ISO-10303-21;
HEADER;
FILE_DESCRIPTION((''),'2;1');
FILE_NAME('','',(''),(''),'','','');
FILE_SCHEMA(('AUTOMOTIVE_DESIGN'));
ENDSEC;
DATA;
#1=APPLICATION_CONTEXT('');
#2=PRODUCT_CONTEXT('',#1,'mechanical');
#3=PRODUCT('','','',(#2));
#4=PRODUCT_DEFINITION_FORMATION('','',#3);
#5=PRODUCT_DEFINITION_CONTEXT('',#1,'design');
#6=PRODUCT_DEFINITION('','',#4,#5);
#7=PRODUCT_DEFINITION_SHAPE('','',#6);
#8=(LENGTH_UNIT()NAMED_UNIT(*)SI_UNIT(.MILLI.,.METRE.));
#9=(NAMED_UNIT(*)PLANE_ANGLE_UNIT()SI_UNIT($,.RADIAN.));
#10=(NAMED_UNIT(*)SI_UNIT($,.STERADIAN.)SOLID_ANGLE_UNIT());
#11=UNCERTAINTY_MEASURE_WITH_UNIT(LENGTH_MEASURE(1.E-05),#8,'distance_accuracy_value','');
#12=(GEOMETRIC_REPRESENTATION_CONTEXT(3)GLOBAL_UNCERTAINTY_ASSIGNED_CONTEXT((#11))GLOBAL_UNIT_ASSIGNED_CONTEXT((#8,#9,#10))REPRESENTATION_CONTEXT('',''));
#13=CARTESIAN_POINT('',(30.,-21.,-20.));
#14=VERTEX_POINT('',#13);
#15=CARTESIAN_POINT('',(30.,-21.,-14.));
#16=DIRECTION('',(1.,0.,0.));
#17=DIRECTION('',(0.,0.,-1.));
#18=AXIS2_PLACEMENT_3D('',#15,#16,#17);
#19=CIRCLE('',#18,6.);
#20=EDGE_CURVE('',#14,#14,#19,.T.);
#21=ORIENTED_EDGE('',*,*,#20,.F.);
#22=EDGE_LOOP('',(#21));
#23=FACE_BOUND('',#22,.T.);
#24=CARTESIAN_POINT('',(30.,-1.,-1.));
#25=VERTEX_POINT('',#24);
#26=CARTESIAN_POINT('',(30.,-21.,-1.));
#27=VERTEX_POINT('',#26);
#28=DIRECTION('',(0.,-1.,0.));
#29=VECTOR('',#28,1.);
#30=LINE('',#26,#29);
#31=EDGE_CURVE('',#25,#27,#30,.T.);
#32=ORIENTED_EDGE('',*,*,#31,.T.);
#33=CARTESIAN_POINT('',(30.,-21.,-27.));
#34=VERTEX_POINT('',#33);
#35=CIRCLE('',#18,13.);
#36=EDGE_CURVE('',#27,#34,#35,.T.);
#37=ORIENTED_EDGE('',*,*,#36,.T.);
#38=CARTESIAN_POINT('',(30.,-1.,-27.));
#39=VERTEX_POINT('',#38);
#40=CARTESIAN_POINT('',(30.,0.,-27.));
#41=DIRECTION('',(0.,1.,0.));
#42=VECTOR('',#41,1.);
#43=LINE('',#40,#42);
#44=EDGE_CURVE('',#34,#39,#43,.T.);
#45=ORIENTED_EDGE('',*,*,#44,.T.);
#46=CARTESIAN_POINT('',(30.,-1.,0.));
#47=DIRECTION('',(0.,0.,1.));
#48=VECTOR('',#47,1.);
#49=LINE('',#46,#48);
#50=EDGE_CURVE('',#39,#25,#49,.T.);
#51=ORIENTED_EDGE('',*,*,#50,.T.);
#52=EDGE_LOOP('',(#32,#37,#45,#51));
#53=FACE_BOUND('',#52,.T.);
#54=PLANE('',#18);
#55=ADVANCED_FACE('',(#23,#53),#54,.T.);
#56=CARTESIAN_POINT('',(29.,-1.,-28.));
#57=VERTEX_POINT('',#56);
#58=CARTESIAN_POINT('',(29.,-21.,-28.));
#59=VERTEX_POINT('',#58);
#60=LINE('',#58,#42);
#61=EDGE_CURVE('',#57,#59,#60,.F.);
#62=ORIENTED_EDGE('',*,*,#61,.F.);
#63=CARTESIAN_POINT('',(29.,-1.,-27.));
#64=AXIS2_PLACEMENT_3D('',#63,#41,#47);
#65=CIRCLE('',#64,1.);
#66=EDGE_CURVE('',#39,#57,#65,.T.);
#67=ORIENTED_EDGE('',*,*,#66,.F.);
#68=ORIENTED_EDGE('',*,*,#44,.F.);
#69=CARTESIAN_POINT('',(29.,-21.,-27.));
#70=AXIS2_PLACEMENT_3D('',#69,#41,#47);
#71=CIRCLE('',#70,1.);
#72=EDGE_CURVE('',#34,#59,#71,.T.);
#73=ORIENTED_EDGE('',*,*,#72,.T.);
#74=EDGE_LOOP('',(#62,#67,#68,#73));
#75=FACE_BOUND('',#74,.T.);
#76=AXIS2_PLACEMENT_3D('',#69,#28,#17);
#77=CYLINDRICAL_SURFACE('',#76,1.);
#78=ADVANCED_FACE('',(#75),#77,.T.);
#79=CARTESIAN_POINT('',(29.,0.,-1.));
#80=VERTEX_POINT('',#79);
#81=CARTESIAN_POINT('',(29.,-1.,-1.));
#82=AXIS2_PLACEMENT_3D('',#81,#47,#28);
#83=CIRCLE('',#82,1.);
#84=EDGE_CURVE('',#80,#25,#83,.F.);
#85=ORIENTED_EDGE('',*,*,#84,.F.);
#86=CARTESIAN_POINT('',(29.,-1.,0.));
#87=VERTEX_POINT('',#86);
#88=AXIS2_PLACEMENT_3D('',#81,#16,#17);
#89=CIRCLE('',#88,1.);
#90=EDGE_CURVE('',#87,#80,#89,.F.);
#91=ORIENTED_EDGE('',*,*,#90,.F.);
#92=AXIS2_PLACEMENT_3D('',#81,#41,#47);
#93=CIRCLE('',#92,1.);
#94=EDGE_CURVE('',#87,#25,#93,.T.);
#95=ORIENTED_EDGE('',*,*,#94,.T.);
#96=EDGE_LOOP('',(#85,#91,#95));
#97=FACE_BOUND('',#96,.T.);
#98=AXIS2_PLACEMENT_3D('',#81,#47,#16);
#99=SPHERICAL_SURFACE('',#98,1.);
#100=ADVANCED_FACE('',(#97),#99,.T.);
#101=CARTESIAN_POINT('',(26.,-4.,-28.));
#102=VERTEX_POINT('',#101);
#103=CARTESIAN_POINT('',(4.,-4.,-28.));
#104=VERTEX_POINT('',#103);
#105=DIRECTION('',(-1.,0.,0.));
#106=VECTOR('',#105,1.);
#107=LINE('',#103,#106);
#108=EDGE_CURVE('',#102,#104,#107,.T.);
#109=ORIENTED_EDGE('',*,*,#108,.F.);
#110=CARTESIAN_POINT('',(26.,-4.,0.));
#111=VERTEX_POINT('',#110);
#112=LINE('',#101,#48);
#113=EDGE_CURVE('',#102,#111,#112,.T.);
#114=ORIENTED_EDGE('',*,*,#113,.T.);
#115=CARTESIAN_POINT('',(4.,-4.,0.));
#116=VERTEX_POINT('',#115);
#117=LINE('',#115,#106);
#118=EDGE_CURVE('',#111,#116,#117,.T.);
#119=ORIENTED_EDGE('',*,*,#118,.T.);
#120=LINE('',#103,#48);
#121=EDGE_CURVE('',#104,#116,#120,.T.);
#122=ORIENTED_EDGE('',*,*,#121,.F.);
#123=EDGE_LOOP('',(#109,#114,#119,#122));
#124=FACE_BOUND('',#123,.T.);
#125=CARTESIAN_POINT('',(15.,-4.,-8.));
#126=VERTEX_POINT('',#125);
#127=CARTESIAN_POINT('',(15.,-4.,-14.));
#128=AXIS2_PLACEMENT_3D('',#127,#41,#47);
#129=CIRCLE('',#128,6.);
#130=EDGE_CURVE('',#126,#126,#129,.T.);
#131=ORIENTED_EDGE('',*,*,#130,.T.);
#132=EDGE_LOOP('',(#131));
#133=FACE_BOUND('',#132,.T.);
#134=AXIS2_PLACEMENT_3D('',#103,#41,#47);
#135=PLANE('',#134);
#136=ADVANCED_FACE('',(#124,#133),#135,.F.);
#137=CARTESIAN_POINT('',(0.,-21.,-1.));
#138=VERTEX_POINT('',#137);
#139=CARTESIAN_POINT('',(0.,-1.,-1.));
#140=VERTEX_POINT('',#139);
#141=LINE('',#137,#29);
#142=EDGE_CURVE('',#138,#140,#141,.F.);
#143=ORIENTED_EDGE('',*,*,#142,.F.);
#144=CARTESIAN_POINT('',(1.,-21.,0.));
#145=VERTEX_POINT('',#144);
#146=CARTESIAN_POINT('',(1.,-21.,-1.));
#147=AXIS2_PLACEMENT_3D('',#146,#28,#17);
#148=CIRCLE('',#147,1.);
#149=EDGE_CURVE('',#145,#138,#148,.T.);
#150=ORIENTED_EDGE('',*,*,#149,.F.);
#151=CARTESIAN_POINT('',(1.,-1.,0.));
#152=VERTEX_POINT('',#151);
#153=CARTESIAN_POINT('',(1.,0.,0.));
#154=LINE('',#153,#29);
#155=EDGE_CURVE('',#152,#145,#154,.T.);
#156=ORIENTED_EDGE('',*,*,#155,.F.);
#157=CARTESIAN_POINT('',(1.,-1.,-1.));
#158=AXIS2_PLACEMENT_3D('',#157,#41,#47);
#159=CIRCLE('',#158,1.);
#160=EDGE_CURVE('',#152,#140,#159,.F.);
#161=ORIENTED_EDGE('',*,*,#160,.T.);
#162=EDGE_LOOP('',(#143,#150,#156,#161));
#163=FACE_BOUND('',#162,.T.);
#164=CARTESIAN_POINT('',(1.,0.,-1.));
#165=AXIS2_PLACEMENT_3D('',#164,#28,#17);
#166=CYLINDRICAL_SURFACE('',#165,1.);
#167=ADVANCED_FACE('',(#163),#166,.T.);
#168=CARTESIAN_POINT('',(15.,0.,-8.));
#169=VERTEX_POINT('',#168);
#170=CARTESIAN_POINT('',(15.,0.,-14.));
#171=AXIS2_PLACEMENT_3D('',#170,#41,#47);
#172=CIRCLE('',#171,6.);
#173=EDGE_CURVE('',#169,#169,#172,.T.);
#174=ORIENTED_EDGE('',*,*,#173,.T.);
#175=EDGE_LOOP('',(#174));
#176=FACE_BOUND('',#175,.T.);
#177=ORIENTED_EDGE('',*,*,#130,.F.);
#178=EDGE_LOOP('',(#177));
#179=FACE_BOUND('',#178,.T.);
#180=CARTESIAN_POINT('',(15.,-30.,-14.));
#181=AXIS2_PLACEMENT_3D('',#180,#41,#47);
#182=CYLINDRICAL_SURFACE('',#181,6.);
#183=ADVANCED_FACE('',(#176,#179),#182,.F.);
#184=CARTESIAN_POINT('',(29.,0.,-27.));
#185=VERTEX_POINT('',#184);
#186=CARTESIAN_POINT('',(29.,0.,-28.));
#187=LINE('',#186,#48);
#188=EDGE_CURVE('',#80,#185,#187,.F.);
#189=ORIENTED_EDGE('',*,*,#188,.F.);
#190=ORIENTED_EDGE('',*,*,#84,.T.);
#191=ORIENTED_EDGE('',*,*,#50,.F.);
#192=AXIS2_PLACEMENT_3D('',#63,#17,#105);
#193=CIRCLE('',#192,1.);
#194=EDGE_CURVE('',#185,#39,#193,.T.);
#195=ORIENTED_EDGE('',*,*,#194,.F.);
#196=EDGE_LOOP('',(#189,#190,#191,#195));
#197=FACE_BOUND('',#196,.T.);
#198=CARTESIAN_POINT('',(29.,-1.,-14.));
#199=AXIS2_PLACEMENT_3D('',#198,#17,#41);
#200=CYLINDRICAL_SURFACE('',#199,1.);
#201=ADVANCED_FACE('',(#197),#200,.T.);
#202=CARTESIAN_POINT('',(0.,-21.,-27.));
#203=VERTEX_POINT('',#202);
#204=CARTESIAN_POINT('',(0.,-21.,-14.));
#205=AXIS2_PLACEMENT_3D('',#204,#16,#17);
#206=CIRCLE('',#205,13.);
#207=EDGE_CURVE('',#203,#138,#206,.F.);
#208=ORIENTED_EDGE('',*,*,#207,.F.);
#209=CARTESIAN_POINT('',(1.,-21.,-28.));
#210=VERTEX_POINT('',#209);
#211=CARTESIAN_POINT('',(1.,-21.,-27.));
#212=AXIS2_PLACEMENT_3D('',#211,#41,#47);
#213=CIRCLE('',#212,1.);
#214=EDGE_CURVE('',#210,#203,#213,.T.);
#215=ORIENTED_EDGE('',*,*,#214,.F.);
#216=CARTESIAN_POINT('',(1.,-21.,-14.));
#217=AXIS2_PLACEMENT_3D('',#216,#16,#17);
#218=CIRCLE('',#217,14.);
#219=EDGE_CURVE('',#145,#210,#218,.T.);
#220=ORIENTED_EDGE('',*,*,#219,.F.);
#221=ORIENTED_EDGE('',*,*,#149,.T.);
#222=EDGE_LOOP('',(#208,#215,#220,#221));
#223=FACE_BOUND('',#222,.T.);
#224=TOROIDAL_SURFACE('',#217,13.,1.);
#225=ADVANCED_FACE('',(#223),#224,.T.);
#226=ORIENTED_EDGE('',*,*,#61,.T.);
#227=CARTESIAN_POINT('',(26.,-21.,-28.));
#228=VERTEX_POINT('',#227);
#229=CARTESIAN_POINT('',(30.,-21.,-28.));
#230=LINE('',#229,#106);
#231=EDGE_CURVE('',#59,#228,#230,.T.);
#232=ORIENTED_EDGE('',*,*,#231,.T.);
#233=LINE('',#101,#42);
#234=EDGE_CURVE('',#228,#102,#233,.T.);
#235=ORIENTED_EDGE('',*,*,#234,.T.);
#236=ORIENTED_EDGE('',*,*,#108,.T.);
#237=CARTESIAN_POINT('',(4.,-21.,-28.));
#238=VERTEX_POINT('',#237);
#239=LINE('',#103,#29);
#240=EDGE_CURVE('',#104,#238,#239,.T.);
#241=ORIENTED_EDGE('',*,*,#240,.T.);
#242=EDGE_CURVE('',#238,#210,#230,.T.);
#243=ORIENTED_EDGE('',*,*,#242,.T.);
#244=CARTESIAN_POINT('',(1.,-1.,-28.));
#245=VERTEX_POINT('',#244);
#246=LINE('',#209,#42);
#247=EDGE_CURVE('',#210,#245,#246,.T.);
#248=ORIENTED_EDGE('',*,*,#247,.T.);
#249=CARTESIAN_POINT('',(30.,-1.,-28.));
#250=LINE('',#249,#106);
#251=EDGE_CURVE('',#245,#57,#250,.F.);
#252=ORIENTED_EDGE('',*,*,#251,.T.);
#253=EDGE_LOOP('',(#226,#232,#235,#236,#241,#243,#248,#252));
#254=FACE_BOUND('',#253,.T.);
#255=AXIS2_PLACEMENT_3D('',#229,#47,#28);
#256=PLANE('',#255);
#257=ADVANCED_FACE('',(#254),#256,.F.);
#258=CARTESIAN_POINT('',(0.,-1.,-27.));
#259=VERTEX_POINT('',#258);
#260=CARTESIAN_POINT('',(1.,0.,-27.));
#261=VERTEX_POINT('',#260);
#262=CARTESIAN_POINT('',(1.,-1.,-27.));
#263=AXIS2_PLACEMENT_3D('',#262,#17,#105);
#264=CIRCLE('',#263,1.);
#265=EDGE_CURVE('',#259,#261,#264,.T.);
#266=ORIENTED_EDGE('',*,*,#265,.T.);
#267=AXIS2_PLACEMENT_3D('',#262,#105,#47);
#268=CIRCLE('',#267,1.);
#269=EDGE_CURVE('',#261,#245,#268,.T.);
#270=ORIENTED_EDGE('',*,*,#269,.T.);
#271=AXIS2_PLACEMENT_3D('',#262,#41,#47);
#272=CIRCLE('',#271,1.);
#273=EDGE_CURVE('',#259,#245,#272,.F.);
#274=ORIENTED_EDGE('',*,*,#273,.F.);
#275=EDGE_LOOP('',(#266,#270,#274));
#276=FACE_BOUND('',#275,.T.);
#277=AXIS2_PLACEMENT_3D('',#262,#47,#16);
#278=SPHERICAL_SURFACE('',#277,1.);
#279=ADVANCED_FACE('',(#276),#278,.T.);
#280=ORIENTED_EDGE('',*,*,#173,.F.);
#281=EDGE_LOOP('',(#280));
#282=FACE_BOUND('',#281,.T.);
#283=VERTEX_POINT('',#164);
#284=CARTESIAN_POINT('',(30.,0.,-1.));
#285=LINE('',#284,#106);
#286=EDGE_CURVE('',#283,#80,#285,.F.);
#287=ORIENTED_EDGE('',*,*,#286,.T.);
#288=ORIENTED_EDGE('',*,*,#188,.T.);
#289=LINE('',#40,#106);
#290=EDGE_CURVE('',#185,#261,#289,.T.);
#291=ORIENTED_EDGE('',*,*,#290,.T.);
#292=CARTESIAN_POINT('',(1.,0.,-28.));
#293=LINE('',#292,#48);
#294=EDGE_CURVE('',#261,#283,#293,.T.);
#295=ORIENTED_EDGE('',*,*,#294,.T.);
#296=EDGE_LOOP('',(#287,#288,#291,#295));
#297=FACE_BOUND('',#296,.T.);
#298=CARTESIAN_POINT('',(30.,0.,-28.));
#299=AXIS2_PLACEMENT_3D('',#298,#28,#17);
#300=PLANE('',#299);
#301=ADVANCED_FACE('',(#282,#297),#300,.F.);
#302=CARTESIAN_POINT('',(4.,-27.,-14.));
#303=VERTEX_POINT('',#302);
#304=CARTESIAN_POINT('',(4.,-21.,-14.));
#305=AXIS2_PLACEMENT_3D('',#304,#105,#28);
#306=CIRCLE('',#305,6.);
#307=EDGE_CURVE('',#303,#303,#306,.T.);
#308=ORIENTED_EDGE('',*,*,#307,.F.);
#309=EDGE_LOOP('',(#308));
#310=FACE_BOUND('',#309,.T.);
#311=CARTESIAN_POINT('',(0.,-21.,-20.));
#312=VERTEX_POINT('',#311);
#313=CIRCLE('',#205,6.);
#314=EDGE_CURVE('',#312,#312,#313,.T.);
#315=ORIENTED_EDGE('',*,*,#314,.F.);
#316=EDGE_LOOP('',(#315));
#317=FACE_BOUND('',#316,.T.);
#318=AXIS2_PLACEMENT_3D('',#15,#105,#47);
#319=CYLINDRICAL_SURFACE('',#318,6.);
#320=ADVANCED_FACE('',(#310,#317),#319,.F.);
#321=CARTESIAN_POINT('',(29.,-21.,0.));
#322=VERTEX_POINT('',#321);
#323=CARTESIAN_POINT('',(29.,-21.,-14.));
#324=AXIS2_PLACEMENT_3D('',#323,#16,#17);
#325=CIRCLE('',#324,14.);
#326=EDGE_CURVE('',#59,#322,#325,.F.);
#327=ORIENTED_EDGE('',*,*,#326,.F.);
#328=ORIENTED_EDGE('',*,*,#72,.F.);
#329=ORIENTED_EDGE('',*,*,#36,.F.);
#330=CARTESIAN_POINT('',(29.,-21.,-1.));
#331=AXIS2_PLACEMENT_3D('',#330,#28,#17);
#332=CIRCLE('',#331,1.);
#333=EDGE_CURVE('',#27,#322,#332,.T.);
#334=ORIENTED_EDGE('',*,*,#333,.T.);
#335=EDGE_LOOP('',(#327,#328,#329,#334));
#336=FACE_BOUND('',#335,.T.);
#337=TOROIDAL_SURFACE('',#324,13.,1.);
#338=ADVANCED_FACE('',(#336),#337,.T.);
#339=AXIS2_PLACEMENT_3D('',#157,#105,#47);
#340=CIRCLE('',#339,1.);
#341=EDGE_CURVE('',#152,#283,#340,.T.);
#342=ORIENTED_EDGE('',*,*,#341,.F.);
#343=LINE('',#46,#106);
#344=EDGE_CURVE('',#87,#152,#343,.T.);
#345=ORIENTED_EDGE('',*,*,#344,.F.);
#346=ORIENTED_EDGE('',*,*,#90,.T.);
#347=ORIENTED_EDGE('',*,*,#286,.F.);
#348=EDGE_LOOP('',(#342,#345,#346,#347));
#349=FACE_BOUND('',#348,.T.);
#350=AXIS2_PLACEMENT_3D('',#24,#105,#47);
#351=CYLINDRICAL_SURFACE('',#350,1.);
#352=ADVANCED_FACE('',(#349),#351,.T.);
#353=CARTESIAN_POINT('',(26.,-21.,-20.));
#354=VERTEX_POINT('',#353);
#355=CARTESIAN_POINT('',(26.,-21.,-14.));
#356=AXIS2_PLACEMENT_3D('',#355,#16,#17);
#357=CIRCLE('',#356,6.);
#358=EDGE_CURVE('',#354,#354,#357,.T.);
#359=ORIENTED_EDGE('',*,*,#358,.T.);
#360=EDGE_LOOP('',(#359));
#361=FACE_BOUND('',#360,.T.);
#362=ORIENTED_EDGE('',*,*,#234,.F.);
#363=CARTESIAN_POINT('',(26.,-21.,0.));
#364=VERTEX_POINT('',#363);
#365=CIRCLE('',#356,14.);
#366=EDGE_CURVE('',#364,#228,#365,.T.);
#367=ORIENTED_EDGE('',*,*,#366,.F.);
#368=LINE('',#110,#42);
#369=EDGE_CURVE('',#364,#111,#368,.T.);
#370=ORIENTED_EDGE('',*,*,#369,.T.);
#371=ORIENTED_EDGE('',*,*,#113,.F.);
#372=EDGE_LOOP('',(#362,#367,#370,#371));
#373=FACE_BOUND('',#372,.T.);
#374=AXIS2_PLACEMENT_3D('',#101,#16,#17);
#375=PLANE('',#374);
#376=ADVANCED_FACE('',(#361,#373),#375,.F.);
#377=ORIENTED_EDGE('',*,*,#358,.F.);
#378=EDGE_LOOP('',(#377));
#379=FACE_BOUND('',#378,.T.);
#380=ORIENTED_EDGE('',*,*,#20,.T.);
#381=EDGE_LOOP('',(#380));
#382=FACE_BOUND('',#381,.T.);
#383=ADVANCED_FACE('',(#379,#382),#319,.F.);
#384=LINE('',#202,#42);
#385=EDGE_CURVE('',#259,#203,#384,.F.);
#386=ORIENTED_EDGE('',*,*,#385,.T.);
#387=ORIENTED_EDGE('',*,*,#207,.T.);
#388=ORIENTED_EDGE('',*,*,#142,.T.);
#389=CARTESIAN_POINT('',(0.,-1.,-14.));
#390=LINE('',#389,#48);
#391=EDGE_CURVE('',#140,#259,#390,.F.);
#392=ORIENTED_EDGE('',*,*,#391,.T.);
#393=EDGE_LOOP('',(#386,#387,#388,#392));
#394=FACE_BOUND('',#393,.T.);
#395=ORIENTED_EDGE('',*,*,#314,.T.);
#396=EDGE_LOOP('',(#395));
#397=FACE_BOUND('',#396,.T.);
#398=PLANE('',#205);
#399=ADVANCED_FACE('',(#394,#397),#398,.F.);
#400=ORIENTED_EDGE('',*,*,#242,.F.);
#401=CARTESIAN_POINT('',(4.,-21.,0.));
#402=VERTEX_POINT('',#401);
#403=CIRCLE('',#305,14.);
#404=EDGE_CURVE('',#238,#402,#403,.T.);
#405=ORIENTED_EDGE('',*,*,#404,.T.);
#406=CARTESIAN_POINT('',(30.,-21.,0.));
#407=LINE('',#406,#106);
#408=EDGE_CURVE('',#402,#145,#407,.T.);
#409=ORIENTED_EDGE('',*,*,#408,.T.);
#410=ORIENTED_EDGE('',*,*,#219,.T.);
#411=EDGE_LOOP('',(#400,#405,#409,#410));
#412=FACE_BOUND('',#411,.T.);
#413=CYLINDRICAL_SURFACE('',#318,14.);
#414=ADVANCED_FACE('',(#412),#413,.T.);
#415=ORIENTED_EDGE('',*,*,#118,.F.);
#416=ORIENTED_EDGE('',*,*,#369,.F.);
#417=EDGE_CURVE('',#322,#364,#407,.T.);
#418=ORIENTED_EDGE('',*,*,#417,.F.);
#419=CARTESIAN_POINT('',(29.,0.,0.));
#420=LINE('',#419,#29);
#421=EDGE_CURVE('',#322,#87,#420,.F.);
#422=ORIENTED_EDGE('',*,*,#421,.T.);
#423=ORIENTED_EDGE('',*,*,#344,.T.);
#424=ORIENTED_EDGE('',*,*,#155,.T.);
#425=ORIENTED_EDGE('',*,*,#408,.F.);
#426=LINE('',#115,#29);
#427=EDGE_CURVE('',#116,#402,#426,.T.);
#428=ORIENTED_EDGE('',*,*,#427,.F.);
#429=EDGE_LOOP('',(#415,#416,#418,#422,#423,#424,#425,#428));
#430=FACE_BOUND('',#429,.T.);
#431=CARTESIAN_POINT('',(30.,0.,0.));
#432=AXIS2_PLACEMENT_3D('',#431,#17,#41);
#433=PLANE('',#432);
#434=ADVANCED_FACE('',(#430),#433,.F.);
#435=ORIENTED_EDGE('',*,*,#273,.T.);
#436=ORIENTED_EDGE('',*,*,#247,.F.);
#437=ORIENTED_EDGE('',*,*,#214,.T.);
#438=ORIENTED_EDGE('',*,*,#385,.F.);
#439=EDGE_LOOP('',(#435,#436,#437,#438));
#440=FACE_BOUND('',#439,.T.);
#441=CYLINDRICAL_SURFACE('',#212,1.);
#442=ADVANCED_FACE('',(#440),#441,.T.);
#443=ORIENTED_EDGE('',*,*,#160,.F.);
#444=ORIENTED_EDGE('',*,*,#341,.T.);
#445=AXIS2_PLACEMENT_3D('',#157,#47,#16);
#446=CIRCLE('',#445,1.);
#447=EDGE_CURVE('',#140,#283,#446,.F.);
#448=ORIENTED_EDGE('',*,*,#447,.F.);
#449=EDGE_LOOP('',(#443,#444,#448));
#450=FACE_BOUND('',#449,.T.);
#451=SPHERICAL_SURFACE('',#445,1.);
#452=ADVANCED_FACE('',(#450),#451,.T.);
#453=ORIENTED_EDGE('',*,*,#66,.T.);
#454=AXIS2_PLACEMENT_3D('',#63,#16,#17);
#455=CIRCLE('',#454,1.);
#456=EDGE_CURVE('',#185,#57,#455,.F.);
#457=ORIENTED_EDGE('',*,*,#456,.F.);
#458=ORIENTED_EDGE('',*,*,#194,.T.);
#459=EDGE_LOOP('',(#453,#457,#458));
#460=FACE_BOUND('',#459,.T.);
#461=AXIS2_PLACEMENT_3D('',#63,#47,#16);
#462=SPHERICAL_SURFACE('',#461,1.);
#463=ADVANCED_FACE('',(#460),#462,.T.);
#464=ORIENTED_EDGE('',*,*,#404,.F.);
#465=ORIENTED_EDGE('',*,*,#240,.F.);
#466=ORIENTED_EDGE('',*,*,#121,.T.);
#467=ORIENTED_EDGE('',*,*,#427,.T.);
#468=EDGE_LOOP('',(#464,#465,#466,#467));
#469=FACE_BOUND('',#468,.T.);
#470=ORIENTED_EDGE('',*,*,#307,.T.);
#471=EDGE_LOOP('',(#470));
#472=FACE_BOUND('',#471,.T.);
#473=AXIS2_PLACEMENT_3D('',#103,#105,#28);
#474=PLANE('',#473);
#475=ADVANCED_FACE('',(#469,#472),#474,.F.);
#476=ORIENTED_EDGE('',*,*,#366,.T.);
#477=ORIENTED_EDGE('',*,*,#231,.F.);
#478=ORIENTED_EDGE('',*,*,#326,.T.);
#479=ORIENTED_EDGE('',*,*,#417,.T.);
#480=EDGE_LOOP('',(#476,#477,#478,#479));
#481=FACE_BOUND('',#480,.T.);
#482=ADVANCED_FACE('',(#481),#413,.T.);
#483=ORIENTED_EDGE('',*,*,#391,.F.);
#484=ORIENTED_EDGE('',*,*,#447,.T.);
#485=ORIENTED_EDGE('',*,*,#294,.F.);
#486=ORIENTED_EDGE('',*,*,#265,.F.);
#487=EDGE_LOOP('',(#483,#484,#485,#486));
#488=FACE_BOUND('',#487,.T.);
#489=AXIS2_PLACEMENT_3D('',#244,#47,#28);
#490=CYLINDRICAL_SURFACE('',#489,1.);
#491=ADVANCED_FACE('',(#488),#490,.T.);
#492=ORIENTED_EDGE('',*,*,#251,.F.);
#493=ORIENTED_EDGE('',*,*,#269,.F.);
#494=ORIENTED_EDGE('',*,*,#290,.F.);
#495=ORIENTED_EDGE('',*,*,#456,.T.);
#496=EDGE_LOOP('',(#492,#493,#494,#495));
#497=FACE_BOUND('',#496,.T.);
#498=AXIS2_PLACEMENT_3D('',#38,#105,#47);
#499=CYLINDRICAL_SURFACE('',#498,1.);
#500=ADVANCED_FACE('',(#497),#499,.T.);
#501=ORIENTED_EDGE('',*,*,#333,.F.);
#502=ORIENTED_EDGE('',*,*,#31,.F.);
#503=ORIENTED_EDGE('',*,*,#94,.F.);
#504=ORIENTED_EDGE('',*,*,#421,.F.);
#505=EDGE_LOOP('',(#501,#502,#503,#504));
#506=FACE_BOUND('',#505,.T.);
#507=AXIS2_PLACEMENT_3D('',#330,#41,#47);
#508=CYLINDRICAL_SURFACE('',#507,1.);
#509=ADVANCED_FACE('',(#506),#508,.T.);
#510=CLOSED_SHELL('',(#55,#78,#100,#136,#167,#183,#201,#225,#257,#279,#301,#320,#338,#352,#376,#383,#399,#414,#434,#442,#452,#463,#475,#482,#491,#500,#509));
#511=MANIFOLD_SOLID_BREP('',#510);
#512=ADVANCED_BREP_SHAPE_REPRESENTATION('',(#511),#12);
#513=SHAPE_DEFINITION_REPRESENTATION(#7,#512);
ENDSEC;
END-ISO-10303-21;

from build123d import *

# Parameters (mm, degrees)
SKETCH_1_R          = 6
EXTRUDE_1_DEPTH     = 30
SKETCH_2_W          = 22
SKETCH_2_H          = 31
CUT_EXTRUDE_2_DEPTH = 54.935146241
SKETCH_3_R          = 6
CUT_EXTRUDE_3_DEPTH = 30
FILLET_1_R          = 1


with BuildPart() as part:
    # 草图1 → 拉伸1 (new body)
    with BuildSketch(Plane(origin=(0, 0, 0), x_dir=(0, 0, -1), z_dir=(1, 0, 0))):
        with BuildLine():
            Line((0, 0), (0, -21))
            ThreePointArc((0, -21), (14, -35), (28, -21))
            Line((28, -21), (28, 0))
            Line((28, 0), (0, 0))
        make_face()
        with Locations((14, -21)):
            Circle(SKETCH_1_R, mode=Mode.SUBTRACT)
    extrude(amount=EXTRUDE_1_DEPTH)

    # 草图2 → 拉伸2 (cut, through all)
    with BuildSketch(Plane.XY):
        with Locations((15, -19.5)):
            Rectangle(SKETCH_2_W, SKETCH_2_H)
    extrude(amount=-CUT_EXTRUDE_2_DEPTH, mode=Mode.SUBTRACT)

    # 草图3 → 拉伸3 (cut)
    with BuildSketch(Plane(origin=(0, 0, 0), x_dir=(1, 0, 0), z_dir=(0, 1, 0))):
        with Locations(Location((15, 14, 0), (0, 0, 270))):
            Circle(SKETCH_3_R)
    extrude(amount=-CUT_EXTRUDE_3_DEPTH, mode=Mode.SUBTRACT)

    # 圆角1
    fillet_1_edges = [part.edges().sort_by_distance(p)[0] for p in [
        (30, -35, -14),
        (30, -10.5, -28),
        (30, 0, -14),
        (0, -10.5, -28),
        (0, -35, -14),
        (0, -10.5, 0),
        (0, 0, -14),
        (30, -10.5, 0),
        (15, 0, -28),
        (15, 0, 0),
    ]]
    fillet(fillet_1_edges, radius=FILLET_1_R)


solid = part.part
